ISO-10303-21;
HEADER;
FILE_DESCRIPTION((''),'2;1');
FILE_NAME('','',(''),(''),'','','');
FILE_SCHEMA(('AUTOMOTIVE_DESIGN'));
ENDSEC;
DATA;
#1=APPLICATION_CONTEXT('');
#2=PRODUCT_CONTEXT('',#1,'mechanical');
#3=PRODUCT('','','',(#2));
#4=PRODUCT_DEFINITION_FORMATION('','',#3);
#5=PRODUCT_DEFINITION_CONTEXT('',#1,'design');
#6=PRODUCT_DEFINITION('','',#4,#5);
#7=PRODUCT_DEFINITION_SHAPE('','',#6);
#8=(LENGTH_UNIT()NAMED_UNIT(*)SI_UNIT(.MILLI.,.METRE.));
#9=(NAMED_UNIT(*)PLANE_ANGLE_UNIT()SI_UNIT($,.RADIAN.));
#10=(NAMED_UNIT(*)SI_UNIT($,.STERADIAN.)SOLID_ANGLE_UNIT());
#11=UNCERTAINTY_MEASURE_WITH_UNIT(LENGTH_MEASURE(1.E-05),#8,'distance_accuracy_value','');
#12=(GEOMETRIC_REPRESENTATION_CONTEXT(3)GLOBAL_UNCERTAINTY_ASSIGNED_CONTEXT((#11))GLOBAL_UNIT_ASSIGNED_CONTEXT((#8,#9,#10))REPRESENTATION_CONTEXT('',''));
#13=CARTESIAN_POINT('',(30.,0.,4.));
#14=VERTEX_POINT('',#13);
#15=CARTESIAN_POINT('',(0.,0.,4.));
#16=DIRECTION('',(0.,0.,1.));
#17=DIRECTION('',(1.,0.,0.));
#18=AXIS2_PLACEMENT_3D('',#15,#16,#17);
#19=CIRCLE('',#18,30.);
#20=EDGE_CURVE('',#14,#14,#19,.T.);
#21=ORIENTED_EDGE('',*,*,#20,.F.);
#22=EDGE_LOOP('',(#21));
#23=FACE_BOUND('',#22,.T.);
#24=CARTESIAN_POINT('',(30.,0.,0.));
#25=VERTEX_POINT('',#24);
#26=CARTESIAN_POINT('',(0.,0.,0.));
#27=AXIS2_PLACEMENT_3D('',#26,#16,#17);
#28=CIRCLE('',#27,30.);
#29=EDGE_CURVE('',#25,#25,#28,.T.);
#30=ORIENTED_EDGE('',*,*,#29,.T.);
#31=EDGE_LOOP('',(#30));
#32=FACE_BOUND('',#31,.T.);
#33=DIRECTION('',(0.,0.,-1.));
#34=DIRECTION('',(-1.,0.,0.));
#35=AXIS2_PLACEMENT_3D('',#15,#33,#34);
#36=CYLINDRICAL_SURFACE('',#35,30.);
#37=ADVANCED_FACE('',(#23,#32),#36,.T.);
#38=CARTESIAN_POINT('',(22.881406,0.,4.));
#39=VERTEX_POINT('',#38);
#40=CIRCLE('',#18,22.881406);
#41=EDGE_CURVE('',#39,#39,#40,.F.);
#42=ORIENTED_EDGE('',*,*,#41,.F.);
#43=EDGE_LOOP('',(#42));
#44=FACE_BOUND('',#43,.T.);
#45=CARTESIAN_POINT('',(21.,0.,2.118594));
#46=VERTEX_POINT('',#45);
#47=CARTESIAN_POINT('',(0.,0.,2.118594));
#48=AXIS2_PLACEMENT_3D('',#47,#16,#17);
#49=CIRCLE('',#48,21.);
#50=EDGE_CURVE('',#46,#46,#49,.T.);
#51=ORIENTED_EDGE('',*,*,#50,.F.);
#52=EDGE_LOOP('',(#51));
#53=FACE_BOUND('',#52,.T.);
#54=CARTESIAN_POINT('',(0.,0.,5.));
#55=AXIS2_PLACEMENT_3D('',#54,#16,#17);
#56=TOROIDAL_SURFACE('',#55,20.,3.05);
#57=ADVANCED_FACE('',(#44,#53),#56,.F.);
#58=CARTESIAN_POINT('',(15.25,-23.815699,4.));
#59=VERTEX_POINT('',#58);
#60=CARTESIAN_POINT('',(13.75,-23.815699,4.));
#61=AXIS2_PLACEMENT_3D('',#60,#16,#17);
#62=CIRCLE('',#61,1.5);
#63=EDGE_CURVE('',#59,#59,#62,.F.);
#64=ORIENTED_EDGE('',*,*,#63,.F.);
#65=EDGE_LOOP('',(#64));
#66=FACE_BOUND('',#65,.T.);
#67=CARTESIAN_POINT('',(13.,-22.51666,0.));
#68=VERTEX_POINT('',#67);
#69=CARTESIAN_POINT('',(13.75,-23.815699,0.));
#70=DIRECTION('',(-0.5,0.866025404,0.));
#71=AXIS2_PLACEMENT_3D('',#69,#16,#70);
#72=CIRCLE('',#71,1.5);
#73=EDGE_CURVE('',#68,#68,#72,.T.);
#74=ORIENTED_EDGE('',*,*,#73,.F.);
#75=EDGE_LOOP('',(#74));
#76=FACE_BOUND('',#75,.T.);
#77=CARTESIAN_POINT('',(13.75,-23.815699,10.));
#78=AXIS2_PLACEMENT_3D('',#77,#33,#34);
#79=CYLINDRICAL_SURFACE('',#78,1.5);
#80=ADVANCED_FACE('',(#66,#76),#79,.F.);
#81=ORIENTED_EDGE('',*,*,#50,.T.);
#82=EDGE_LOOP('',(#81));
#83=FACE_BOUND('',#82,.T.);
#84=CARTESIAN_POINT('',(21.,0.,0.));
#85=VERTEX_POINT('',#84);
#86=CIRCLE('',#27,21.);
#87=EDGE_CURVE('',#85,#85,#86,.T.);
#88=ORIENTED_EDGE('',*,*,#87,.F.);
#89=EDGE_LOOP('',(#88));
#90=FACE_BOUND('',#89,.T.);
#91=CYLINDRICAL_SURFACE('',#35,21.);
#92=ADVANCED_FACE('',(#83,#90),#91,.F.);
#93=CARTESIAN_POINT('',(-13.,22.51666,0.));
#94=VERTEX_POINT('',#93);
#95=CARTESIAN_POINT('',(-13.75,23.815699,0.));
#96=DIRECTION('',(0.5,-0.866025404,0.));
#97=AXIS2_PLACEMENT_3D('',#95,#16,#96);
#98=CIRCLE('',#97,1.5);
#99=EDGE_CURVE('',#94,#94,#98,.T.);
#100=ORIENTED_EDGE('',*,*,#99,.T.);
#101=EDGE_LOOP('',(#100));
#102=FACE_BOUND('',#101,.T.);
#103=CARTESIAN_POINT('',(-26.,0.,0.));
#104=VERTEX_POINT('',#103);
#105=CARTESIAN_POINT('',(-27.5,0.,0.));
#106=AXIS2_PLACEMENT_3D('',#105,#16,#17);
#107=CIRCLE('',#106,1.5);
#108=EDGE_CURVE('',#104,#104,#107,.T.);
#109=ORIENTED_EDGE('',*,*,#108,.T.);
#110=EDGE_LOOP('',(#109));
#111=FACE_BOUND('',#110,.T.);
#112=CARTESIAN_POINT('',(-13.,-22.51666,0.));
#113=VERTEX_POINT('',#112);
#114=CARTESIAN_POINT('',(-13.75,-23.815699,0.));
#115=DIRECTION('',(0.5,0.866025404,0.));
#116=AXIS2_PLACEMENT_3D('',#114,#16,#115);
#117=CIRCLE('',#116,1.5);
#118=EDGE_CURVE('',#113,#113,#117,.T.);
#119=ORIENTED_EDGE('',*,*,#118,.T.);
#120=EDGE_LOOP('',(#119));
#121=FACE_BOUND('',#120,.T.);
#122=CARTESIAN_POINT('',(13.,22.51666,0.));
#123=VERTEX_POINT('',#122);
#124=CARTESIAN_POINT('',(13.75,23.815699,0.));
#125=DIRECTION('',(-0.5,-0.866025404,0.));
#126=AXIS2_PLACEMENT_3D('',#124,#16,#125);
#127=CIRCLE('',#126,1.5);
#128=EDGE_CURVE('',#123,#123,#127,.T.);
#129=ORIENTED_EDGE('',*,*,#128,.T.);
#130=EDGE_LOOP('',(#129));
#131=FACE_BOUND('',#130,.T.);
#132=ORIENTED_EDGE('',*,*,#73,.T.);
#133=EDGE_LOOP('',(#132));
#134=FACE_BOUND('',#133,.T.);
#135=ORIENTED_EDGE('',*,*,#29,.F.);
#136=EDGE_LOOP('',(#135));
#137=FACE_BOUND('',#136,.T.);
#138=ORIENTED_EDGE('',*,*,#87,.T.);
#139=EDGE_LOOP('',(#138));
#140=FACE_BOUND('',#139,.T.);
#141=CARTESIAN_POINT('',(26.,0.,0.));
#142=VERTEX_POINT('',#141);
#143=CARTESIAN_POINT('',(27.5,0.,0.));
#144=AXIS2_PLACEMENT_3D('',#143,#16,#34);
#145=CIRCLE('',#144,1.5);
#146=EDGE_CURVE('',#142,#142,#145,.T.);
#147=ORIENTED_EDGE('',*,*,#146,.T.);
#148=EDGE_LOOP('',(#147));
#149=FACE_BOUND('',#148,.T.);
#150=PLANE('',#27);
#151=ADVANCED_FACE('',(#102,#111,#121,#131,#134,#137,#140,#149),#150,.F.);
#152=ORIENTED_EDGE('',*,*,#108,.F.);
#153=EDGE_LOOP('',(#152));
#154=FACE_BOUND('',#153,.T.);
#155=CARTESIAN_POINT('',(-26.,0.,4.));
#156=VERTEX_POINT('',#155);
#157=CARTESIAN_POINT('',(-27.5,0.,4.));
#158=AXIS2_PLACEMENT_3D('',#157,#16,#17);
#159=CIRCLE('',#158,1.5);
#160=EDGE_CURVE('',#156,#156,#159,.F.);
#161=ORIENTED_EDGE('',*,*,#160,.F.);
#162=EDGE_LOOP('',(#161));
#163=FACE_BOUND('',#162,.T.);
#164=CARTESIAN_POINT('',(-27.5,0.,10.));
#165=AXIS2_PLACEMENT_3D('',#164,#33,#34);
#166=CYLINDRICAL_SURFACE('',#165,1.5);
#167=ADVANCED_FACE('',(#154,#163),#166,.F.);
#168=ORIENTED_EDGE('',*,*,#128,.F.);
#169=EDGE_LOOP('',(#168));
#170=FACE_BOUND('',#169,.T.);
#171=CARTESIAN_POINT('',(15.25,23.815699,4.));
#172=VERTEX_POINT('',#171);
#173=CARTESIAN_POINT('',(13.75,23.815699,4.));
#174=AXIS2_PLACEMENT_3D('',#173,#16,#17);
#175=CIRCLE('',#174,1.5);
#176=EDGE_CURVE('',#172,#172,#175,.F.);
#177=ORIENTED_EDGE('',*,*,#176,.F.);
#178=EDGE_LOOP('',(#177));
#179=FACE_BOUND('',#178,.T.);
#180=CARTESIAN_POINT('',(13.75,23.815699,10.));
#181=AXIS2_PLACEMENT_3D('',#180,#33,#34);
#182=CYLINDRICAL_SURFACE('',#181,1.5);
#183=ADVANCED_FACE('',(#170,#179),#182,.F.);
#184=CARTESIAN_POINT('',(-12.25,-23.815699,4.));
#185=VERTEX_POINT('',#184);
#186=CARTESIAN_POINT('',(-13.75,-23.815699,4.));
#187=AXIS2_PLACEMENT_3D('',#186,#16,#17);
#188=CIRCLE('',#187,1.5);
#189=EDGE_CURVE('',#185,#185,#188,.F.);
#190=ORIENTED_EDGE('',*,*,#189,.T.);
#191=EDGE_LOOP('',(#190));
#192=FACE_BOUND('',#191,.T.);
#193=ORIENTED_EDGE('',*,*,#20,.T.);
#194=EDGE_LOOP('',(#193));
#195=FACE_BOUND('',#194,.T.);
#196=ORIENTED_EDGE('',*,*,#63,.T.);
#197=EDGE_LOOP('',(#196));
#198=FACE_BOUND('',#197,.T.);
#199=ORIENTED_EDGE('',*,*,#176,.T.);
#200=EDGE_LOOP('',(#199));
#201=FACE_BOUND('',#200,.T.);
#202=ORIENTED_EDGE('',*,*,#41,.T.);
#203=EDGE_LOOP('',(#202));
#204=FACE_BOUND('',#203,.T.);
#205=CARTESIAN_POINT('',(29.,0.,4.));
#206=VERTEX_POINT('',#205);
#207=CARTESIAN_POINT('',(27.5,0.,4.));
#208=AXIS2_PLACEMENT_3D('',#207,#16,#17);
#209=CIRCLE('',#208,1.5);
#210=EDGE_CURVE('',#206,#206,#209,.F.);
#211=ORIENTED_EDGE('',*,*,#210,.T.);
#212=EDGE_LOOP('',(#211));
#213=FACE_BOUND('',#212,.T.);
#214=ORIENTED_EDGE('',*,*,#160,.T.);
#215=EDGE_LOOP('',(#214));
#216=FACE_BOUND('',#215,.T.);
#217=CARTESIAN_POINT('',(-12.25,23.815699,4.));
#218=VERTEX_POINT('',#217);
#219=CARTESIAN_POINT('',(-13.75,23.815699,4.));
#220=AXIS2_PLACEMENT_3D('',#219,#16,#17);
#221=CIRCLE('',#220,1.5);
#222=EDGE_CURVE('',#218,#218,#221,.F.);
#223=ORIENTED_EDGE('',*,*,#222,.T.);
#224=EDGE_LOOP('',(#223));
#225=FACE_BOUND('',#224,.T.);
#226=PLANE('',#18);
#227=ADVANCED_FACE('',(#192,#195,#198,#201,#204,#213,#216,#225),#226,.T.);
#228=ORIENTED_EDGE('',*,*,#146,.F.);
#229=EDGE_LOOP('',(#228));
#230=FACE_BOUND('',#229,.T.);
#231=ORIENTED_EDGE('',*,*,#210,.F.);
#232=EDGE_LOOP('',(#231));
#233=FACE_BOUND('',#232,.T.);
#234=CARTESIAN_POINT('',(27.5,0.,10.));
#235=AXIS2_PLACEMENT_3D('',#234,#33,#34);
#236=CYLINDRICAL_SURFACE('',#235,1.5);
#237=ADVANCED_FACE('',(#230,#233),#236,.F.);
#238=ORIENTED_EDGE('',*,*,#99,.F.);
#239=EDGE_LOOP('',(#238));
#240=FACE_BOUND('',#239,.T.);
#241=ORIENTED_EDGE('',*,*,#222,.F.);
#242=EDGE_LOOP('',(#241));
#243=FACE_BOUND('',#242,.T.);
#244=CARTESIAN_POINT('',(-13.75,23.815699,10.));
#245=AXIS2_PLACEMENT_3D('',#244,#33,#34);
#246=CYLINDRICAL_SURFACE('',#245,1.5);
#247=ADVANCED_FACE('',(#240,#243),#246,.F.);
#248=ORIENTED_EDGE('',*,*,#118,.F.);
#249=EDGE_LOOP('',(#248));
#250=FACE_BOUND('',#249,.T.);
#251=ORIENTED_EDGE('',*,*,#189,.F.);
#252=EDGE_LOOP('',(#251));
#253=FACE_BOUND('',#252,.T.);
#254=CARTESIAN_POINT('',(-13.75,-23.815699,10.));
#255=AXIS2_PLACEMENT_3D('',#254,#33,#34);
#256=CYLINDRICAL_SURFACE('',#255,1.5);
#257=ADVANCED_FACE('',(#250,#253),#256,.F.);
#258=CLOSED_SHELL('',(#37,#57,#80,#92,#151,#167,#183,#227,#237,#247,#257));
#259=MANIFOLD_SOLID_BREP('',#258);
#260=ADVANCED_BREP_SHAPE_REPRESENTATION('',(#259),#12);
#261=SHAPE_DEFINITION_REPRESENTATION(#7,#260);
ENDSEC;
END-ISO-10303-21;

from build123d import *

# Parameters (mm, degrees)
SCHIZZO1_R                   = 30
SCHIZZO1_R_2                 = 21
ESTRUSIONE_ESTRUSIONE1_DEPTH = 4
SCHIZZO2_R                   = 3.05
SCHIZZO3_R                   = 1.5
TAGLIO_ESTRUSIONE1_DEPTH     = 10
RIPETIZIONECIRCOLARE1_COUNT  = 6


with BuildPart() as part:
    # Schizzo1 → Estrusione-Estrusione1 (new body)
    with BuildSketch(Plane.XY):
        Circle(SCHIZZO1_R)
        Circle(SCHIZZO1_R_2, mode=Mode.SUBTRACT)
    extrude(amount=ESTRUSIONE_ESTRUSIONE1_DEPTH)

    # Schizzo2 → Taglia-Rivoluzione1 (revolve, cut)
    with BuildSketch(Plane(origin=(0, 0, 0), x_dir=(0, 0, -1), z_dir=(1, 0, 0))):
        with Locations((-5, 20)):
            Circle(SCHIZZO2_R)
    revolve(axis=Axis((0, 0, 4), (0, 0, -1)), mode=Mode.SUBTRACT)

    # Schizzo3 → Taglio-Estrusione1 (cut)
    with BuildSketch(Plane.XY):
        with Locations((-27.5, 0)):
            Circle(SCHIZZO3_R)
    taglio_estrusione1 = extrude(amount=TAGLIO_ESTRUSIONE1_DEPTH, mode=Mode.SUBTRACT)

    # RipetizioneCircolare1: Taglio-Estrusione1 ×6 about axis
    ripetizionecircolare1_axis = Axis((0, 0, 0), (0, 0, 1))
    for i in range(1, RIPETIZIONECIRCOLARE1_COUNT):
        add(taglio_estrusione1.rotate(ripetizionecircolare1_axis, i * 360 / RIPETIZIONECIRCOLARE1_COUNT), mode=Mode.SUBTRACT)


solid = part.part
